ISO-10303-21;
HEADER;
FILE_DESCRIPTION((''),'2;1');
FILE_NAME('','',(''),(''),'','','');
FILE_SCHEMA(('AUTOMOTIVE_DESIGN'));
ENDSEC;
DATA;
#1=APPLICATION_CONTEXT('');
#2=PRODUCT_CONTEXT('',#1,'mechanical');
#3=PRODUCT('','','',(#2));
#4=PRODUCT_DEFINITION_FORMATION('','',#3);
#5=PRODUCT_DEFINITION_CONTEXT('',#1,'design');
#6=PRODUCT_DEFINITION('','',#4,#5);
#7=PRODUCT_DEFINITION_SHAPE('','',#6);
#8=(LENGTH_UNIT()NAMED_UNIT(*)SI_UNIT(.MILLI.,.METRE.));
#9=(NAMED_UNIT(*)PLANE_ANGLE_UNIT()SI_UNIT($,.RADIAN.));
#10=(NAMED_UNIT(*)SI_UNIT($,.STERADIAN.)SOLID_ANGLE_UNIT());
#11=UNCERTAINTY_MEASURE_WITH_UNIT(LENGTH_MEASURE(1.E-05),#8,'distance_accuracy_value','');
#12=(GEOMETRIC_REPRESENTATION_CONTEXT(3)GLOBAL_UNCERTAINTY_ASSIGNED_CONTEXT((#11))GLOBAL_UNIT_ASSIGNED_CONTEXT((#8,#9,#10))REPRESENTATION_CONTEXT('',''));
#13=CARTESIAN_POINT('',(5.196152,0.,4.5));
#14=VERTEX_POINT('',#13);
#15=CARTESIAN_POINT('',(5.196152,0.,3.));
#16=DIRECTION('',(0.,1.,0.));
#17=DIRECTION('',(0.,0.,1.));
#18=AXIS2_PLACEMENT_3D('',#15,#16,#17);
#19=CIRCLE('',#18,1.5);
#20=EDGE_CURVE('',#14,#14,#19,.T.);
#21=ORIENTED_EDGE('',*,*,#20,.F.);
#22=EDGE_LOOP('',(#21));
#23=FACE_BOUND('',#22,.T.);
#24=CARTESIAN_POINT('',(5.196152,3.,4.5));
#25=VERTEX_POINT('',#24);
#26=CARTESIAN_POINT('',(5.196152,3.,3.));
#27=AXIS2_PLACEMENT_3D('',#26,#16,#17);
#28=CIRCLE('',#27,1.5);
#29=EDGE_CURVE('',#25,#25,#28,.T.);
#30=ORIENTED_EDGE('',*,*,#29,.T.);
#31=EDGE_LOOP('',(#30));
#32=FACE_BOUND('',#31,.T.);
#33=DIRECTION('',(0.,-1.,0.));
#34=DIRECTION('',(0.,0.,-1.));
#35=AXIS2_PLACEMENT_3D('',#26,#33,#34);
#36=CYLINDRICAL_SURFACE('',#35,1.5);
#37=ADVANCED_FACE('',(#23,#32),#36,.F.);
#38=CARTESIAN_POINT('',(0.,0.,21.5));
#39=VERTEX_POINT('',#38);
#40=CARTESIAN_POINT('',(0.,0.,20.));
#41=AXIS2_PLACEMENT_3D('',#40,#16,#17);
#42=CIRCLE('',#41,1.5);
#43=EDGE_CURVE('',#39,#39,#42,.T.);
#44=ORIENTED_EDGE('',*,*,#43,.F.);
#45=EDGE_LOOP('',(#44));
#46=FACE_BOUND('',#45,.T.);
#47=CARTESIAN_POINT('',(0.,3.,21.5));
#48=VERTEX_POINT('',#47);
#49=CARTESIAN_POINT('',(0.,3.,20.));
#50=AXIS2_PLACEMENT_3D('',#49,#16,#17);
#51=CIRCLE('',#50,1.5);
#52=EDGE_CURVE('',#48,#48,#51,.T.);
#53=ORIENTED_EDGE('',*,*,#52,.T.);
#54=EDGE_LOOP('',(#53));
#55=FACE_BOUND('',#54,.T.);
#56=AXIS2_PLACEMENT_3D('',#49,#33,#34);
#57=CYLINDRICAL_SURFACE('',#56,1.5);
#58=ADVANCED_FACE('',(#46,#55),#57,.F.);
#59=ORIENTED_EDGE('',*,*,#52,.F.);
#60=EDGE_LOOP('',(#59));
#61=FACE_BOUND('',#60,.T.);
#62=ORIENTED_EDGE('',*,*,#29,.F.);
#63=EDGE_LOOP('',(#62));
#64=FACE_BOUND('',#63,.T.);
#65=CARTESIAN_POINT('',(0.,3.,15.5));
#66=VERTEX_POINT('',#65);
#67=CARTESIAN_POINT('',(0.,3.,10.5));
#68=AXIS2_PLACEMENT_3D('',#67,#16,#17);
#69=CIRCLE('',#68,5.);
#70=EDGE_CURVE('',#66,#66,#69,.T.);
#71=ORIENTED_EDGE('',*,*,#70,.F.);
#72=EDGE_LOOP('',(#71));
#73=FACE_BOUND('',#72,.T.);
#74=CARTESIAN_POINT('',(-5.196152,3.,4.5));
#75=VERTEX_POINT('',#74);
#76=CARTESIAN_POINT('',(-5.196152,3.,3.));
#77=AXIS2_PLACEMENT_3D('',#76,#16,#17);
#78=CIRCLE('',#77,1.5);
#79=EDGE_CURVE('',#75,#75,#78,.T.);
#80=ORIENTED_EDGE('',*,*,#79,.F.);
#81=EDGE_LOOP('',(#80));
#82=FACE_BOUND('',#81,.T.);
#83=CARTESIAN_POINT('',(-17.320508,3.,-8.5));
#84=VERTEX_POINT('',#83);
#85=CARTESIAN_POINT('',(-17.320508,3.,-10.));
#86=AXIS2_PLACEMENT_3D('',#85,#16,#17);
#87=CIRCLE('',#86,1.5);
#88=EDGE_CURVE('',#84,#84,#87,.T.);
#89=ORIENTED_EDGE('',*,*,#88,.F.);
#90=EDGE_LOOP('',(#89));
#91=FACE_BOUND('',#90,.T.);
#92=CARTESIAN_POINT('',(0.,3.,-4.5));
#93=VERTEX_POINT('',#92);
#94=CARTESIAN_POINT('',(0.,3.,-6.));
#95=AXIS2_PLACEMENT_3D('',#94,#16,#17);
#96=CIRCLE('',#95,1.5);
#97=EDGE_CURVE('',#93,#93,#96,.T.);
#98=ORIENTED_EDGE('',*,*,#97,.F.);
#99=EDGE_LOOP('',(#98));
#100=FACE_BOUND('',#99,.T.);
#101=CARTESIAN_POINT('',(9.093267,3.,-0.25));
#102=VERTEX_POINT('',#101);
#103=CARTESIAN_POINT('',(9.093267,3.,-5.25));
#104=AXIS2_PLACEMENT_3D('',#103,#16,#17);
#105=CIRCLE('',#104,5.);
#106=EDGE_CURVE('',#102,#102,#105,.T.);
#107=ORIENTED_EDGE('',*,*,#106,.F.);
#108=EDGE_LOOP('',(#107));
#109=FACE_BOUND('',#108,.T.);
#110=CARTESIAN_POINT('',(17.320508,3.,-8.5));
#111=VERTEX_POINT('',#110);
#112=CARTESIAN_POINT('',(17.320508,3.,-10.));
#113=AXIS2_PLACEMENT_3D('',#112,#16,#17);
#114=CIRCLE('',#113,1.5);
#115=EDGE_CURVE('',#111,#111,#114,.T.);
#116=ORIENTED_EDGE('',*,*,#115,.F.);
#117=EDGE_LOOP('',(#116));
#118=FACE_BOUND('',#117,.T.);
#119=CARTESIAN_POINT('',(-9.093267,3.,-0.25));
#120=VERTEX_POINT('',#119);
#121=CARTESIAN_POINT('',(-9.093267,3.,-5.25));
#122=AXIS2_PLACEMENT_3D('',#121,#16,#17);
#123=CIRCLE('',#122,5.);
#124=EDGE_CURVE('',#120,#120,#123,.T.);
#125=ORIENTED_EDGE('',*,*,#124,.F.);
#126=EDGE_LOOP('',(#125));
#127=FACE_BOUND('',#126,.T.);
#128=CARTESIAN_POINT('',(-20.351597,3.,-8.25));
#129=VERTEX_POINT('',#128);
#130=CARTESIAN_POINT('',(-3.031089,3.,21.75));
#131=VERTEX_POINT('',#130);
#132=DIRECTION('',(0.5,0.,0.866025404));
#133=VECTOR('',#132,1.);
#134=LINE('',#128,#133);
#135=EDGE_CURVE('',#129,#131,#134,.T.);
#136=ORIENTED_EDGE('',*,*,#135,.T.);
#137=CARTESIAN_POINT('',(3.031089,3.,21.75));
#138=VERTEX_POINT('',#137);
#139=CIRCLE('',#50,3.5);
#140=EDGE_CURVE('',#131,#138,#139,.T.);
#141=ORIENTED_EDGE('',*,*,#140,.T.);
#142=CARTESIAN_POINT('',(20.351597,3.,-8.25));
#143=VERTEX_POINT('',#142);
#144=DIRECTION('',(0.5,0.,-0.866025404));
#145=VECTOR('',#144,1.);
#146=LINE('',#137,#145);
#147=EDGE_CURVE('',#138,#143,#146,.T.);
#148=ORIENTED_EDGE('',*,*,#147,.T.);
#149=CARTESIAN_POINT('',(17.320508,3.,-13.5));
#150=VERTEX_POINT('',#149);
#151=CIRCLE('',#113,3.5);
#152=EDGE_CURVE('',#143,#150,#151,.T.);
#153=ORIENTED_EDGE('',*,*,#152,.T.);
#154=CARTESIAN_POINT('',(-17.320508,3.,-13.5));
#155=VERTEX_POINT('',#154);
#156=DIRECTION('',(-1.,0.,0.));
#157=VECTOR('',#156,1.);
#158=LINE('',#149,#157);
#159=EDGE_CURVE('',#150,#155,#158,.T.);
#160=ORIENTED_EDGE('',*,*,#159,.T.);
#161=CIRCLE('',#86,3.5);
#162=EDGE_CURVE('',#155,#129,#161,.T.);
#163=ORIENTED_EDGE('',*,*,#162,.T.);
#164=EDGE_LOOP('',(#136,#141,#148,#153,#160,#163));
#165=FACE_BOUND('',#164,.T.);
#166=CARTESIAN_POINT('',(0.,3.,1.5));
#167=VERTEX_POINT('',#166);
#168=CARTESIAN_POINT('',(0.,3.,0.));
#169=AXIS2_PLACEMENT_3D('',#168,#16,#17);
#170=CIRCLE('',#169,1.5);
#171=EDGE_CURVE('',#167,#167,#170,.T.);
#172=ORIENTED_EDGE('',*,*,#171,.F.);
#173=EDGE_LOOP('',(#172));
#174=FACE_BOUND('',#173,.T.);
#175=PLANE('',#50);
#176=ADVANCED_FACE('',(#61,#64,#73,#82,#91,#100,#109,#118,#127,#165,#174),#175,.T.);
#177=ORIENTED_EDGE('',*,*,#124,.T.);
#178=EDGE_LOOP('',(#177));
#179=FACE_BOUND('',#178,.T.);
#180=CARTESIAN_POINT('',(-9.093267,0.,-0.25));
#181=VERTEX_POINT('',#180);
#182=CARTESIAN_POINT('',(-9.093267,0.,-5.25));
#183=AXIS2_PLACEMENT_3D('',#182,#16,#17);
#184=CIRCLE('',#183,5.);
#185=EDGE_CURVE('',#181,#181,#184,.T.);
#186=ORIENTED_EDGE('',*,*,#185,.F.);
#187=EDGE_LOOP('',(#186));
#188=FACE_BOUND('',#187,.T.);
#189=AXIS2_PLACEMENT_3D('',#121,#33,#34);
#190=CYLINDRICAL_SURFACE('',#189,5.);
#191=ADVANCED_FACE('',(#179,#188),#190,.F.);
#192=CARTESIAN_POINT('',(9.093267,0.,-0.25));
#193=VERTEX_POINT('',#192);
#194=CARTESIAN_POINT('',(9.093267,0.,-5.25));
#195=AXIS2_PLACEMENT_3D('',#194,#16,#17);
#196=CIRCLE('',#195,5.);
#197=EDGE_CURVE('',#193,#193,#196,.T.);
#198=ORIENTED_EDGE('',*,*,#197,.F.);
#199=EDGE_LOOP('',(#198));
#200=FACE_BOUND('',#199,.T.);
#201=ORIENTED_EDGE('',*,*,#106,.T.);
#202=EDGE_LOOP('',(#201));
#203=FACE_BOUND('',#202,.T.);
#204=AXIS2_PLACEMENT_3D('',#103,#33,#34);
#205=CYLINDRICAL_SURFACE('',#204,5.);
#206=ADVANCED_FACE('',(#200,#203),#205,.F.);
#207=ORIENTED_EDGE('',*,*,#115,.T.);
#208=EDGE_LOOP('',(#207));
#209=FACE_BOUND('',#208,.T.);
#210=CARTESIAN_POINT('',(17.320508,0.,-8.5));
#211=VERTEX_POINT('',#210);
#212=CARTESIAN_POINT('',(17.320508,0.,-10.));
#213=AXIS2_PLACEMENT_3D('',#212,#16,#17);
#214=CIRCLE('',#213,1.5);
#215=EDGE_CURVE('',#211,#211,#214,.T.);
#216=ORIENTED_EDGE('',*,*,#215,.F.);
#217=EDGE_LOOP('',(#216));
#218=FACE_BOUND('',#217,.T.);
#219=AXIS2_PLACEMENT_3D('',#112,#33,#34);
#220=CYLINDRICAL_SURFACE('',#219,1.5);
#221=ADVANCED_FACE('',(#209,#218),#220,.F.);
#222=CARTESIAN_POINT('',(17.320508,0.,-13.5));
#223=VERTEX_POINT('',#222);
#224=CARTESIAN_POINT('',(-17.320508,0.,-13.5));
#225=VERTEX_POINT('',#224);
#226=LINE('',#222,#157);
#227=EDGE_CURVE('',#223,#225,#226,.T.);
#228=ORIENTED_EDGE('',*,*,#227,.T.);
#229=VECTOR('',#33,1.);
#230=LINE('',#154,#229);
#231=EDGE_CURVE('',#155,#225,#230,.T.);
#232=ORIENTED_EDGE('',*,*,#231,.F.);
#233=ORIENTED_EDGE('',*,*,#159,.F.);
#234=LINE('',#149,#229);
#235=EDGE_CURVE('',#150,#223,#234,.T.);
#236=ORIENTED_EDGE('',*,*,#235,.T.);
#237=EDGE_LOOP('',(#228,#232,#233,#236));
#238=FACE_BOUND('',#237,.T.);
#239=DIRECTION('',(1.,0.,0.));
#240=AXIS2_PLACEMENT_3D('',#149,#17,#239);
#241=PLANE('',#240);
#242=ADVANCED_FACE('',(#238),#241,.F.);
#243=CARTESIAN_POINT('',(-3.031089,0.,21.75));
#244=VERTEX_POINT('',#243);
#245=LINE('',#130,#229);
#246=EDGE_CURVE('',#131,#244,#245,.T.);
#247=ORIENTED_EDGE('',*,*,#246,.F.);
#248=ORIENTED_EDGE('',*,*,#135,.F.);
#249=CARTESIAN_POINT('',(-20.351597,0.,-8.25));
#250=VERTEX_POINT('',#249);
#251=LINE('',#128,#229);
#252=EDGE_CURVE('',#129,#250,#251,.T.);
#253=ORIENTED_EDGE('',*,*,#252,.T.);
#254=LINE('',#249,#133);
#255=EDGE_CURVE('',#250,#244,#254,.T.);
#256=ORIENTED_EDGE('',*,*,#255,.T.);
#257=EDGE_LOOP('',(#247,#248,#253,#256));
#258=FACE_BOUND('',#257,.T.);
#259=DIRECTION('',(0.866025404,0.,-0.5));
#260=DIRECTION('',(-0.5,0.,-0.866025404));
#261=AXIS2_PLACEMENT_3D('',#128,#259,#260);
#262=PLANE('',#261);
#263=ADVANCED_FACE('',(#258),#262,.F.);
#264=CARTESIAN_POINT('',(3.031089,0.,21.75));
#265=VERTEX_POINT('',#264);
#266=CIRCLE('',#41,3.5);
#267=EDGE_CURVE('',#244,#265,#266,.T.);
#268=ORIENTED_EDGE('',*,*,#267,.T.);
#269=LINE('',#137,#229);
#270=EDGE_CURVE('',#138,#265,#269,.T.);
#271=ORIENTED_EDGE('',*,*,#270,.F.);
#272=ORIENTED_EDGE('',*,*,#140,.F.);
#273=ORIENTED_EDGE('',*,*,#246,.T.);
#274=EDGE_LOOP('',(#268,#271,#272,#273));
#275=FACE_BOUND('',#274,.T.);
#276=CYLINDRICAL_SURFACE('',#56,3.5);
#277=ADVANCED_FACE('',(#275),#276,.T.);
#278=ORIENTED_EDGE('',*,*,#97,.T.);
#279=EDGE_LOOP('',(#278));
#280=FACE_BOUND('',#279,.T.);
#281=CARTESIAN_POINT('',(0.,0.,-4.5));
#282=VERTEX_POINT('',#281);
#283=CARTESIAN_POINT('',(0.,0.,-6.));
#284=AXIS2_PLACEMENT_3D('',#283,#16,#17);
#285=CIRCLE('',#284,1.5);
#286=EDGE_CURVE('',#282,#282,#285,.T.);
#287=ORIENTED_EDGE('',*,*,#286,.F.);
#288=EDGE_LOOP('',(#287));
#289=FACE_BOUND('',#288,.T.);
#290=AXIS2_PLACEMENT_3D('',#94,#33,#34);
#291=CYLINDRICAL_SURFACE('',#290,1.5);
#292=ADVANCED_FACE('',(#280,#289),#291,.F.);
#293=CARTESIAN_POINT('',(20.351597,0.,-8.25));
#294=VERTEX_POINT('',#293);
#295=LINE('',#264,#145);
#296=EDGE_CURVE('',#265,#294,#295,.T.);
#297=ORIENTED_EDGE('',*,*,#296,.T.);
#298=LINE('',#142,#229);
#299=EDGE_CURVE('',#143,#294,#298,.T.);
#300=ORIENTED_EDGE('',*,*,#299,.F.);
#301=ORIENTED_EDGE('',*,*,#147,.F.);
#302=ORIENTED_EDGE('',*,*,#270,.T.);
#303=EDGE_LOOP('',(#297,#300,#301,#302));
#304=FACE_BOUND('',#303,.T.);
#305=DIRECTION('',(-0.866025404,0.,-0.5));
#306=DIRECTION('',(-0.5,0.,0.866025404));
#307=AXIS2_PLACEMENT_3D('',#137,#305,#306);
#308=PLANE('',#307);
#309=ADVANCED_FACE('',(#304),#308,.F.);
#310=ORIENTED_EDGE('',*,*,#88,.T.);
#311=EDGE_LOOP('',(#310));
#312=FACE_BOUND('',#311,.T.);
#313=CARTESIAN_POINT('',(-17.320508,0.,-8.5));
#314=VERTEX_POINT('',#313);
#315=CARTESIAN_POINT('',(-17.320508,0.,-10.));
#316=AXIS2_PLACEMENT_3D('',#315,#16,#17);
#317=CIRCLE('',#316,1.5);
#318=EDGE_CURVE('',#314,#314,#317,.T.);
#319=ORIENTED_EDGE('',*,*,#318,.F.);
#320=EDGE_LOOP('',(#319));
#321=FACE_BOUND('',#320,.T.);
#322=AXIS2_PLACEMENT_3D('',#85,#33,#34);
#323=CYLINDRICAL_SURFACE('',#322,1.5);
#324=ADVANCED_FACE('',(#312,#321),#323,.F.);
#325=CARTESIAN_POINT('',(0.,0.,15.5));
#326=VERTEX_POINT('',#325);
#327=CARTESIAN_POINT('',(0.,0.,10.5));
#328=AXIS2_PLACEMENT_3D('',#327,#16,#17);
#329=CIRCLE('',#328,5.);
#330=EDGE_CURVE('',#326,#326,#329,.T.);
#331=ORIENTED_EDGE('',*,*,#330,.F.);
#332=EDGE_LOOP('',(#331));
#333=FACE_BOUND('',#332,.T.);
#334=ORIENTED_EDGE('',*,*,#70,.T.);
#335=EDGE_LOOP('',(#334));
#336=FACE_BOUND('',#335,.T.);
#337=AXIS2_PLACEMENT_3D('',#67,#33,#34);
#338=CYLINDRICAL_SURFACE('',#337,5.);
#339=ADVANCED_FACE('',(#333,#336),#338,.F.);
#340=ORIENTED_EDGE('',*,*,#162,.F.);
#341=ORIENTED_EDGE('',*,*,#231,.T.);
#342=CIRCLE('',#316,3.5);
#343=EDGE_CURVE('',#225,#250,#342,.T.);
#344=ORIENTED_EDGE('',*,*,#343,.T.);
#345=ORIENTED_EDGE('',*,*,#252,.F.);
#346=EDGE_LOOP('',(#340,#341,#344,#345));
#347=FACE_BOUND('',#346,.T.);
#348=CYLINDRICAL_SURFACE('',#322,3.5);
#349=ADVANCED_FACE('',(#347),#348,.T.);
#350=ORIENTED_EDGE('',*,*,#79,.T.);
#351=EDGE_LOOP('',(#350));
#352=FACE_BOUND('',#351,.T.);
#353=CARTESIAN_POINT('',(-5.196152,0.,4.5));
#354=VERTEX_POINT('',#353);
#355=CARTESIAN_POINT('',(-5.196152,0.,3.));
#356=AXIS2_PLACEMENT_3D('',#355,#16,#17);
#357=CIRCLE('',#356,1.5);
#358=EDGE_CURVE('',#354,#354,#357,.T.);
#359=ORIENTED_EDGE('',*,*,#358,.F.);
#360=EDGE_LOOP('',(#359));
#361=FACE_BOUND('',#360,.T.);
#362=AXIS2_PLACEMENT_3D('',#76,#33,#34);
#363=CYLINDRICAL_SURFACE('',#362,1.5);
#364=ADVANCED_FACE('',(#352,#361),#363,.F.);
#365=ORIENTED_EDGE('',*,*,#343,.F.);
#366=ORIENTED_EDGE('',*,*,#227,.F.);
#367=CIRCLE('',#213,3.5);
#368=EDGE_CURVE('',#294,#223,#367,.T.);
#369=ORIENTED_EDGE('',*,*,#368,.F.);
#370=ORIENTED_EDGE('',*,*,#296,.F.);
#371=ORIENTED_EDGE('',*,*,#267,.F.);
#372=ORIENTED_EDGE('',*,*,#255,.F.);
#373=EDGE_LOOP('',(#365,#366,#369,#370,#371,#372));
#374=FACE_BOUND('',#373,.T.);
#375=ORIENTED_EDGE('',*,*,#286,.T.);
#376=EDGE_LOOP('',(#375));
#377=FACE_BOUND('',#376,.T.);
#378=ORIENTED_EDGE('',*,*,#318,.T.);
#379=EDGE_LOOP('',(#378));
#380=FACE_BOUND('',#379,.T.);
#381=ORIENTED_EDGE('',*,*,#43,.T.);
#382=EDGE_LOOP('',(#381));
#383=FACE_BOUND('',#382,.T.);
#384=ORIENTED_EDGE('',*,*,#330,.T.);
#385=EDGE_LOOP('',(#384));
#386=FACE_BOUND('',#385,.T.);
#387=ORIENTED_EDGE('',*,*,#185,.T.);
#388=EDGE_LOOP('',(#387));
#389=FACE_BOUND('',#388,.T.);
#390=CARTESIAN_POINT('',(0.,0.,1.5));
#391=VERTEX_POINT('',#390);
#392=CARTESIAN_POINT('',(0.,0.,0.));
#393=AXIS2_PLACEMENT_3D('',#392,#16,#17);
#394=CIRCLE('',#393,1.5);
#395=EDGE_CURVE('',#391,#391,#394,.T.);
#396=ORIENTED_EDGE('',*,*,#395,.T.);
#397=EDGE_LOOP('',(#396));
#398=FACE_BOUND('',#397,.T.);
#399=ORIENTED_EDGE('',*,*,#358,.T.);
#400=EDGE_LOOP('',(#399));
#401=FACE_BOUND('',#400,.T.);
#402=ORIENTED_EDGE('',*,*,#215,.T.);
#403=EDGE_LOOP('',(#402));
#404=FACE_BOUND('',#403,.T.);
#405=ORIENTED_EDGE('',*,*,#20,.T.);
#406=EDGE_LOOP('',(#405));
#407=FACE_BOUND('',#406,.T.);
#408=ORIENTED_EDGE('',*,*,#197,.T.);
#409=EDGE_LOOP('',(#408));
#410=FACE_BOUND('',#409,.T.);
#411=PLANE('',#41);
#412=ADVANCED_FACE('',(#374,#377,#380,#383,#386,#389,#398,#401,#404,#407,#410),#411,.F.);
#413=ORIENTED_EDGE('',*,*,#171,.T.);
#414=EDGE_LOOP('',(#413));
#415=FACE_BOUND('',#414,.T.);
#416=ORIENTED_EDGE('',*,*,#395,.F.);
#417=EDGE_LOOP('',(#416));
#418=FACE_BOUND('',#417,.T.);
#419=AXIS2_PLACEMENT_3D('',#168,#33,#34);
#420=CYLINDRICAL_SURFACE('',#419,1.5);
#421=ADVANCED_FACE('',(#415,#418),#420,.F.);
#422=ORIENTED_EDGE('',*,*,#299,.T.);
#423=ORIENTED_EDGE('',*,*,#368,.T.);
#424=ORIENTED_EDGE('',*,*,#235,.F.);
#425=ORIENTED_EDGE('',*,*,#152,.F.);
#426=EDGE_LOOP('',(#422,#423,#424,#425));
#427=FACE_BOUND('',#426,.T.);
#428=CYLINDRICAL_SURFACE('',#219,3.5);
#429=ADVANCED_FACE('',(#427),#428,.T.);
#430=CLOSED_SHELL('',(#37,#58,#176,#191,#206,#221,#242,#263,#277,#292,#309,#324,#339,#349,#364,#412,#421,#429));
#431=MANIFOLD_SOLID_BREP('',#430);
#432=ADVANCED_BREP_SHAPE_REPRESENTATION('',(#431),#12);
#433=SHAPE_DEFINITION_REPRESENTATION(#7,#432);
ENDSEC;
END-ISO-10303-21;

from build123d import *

# Parameters (mm, degrees)
SKETCH_1_R      = 1.5
SKETCH_1_R_2    = 5
EXTRUDE_1_DEPTH = 3


with BuildPart() as part:
    # 草图1 → 凸台-拉伸1 (new body)
    with BuildSketch(Plane(origin=(0, 0, 0), x_dir=(-1, 0, 0), z_dir=(0, 1, 0))):
        with BuildLine():
            Line((-3.031088913, 21.75), (-20.351596989, -8.25))
            ThreePointArc((-20.351596989, -8.25), (-20.351596989, -11.75), (-17.320508076, -13.5))
            Line((-17.320508076, -13.5), (17.320508076, -13.5))
            ThreePointArc((17.320508076, -13.5), (20.351596989, -11.75), (20.351596989, -8.25))
            Line((20.351596989, -8.25), (3.031088913, 21.75))
            ThreePointArc((3.031088913, 21.75), (0, 23.5), (-3.031088913, 21.75))
        make_face()
        with Locations((0, 20)):
            Circle(SKETCH_1_R, mode=Mode.SUBTRACT)
        with Locations((17.320508076, -10)):
            Circle(SKETCH_1_R, mode=Mode.SUBTRACT)
        with Locations((-17.320508076, -10)):
            Circle(SKETCH_1_R, mode=Mode.SUBTRACT)
        with Locations((-5.196152423, 3)):
            Circle(SKETCH_1_R, mode=Mode.SUBTRACT)
        Circle(SKETCH_1_R, mode=Mode.SUBTRACT)
        with Locations((0, 10.5)):
            Circle(SKETCH_1_R_2, mode=Mode.SUBTRACT)
        with Locations((9.09326674, -5.25)):
            Circle(SKETCH_1_R_2, mode=Mode.SUBTRACT)
        with Locations((-9.09326674, -5.25)):
            Circle(SKETCH_1_R_2, mode=Mode.SUBTRACT)
        with Locations((0, -6)):
            Circle(SKETCH_1_R, mode=Mode.SUBTRACT)
        with Locations((5.196152423, 3)):
            Circle(SKETCH_1_R, mode=Mode.SUBTRACT)
    extrude(amount=EXTRUDE_1_DEPTH)


solid = part.part
